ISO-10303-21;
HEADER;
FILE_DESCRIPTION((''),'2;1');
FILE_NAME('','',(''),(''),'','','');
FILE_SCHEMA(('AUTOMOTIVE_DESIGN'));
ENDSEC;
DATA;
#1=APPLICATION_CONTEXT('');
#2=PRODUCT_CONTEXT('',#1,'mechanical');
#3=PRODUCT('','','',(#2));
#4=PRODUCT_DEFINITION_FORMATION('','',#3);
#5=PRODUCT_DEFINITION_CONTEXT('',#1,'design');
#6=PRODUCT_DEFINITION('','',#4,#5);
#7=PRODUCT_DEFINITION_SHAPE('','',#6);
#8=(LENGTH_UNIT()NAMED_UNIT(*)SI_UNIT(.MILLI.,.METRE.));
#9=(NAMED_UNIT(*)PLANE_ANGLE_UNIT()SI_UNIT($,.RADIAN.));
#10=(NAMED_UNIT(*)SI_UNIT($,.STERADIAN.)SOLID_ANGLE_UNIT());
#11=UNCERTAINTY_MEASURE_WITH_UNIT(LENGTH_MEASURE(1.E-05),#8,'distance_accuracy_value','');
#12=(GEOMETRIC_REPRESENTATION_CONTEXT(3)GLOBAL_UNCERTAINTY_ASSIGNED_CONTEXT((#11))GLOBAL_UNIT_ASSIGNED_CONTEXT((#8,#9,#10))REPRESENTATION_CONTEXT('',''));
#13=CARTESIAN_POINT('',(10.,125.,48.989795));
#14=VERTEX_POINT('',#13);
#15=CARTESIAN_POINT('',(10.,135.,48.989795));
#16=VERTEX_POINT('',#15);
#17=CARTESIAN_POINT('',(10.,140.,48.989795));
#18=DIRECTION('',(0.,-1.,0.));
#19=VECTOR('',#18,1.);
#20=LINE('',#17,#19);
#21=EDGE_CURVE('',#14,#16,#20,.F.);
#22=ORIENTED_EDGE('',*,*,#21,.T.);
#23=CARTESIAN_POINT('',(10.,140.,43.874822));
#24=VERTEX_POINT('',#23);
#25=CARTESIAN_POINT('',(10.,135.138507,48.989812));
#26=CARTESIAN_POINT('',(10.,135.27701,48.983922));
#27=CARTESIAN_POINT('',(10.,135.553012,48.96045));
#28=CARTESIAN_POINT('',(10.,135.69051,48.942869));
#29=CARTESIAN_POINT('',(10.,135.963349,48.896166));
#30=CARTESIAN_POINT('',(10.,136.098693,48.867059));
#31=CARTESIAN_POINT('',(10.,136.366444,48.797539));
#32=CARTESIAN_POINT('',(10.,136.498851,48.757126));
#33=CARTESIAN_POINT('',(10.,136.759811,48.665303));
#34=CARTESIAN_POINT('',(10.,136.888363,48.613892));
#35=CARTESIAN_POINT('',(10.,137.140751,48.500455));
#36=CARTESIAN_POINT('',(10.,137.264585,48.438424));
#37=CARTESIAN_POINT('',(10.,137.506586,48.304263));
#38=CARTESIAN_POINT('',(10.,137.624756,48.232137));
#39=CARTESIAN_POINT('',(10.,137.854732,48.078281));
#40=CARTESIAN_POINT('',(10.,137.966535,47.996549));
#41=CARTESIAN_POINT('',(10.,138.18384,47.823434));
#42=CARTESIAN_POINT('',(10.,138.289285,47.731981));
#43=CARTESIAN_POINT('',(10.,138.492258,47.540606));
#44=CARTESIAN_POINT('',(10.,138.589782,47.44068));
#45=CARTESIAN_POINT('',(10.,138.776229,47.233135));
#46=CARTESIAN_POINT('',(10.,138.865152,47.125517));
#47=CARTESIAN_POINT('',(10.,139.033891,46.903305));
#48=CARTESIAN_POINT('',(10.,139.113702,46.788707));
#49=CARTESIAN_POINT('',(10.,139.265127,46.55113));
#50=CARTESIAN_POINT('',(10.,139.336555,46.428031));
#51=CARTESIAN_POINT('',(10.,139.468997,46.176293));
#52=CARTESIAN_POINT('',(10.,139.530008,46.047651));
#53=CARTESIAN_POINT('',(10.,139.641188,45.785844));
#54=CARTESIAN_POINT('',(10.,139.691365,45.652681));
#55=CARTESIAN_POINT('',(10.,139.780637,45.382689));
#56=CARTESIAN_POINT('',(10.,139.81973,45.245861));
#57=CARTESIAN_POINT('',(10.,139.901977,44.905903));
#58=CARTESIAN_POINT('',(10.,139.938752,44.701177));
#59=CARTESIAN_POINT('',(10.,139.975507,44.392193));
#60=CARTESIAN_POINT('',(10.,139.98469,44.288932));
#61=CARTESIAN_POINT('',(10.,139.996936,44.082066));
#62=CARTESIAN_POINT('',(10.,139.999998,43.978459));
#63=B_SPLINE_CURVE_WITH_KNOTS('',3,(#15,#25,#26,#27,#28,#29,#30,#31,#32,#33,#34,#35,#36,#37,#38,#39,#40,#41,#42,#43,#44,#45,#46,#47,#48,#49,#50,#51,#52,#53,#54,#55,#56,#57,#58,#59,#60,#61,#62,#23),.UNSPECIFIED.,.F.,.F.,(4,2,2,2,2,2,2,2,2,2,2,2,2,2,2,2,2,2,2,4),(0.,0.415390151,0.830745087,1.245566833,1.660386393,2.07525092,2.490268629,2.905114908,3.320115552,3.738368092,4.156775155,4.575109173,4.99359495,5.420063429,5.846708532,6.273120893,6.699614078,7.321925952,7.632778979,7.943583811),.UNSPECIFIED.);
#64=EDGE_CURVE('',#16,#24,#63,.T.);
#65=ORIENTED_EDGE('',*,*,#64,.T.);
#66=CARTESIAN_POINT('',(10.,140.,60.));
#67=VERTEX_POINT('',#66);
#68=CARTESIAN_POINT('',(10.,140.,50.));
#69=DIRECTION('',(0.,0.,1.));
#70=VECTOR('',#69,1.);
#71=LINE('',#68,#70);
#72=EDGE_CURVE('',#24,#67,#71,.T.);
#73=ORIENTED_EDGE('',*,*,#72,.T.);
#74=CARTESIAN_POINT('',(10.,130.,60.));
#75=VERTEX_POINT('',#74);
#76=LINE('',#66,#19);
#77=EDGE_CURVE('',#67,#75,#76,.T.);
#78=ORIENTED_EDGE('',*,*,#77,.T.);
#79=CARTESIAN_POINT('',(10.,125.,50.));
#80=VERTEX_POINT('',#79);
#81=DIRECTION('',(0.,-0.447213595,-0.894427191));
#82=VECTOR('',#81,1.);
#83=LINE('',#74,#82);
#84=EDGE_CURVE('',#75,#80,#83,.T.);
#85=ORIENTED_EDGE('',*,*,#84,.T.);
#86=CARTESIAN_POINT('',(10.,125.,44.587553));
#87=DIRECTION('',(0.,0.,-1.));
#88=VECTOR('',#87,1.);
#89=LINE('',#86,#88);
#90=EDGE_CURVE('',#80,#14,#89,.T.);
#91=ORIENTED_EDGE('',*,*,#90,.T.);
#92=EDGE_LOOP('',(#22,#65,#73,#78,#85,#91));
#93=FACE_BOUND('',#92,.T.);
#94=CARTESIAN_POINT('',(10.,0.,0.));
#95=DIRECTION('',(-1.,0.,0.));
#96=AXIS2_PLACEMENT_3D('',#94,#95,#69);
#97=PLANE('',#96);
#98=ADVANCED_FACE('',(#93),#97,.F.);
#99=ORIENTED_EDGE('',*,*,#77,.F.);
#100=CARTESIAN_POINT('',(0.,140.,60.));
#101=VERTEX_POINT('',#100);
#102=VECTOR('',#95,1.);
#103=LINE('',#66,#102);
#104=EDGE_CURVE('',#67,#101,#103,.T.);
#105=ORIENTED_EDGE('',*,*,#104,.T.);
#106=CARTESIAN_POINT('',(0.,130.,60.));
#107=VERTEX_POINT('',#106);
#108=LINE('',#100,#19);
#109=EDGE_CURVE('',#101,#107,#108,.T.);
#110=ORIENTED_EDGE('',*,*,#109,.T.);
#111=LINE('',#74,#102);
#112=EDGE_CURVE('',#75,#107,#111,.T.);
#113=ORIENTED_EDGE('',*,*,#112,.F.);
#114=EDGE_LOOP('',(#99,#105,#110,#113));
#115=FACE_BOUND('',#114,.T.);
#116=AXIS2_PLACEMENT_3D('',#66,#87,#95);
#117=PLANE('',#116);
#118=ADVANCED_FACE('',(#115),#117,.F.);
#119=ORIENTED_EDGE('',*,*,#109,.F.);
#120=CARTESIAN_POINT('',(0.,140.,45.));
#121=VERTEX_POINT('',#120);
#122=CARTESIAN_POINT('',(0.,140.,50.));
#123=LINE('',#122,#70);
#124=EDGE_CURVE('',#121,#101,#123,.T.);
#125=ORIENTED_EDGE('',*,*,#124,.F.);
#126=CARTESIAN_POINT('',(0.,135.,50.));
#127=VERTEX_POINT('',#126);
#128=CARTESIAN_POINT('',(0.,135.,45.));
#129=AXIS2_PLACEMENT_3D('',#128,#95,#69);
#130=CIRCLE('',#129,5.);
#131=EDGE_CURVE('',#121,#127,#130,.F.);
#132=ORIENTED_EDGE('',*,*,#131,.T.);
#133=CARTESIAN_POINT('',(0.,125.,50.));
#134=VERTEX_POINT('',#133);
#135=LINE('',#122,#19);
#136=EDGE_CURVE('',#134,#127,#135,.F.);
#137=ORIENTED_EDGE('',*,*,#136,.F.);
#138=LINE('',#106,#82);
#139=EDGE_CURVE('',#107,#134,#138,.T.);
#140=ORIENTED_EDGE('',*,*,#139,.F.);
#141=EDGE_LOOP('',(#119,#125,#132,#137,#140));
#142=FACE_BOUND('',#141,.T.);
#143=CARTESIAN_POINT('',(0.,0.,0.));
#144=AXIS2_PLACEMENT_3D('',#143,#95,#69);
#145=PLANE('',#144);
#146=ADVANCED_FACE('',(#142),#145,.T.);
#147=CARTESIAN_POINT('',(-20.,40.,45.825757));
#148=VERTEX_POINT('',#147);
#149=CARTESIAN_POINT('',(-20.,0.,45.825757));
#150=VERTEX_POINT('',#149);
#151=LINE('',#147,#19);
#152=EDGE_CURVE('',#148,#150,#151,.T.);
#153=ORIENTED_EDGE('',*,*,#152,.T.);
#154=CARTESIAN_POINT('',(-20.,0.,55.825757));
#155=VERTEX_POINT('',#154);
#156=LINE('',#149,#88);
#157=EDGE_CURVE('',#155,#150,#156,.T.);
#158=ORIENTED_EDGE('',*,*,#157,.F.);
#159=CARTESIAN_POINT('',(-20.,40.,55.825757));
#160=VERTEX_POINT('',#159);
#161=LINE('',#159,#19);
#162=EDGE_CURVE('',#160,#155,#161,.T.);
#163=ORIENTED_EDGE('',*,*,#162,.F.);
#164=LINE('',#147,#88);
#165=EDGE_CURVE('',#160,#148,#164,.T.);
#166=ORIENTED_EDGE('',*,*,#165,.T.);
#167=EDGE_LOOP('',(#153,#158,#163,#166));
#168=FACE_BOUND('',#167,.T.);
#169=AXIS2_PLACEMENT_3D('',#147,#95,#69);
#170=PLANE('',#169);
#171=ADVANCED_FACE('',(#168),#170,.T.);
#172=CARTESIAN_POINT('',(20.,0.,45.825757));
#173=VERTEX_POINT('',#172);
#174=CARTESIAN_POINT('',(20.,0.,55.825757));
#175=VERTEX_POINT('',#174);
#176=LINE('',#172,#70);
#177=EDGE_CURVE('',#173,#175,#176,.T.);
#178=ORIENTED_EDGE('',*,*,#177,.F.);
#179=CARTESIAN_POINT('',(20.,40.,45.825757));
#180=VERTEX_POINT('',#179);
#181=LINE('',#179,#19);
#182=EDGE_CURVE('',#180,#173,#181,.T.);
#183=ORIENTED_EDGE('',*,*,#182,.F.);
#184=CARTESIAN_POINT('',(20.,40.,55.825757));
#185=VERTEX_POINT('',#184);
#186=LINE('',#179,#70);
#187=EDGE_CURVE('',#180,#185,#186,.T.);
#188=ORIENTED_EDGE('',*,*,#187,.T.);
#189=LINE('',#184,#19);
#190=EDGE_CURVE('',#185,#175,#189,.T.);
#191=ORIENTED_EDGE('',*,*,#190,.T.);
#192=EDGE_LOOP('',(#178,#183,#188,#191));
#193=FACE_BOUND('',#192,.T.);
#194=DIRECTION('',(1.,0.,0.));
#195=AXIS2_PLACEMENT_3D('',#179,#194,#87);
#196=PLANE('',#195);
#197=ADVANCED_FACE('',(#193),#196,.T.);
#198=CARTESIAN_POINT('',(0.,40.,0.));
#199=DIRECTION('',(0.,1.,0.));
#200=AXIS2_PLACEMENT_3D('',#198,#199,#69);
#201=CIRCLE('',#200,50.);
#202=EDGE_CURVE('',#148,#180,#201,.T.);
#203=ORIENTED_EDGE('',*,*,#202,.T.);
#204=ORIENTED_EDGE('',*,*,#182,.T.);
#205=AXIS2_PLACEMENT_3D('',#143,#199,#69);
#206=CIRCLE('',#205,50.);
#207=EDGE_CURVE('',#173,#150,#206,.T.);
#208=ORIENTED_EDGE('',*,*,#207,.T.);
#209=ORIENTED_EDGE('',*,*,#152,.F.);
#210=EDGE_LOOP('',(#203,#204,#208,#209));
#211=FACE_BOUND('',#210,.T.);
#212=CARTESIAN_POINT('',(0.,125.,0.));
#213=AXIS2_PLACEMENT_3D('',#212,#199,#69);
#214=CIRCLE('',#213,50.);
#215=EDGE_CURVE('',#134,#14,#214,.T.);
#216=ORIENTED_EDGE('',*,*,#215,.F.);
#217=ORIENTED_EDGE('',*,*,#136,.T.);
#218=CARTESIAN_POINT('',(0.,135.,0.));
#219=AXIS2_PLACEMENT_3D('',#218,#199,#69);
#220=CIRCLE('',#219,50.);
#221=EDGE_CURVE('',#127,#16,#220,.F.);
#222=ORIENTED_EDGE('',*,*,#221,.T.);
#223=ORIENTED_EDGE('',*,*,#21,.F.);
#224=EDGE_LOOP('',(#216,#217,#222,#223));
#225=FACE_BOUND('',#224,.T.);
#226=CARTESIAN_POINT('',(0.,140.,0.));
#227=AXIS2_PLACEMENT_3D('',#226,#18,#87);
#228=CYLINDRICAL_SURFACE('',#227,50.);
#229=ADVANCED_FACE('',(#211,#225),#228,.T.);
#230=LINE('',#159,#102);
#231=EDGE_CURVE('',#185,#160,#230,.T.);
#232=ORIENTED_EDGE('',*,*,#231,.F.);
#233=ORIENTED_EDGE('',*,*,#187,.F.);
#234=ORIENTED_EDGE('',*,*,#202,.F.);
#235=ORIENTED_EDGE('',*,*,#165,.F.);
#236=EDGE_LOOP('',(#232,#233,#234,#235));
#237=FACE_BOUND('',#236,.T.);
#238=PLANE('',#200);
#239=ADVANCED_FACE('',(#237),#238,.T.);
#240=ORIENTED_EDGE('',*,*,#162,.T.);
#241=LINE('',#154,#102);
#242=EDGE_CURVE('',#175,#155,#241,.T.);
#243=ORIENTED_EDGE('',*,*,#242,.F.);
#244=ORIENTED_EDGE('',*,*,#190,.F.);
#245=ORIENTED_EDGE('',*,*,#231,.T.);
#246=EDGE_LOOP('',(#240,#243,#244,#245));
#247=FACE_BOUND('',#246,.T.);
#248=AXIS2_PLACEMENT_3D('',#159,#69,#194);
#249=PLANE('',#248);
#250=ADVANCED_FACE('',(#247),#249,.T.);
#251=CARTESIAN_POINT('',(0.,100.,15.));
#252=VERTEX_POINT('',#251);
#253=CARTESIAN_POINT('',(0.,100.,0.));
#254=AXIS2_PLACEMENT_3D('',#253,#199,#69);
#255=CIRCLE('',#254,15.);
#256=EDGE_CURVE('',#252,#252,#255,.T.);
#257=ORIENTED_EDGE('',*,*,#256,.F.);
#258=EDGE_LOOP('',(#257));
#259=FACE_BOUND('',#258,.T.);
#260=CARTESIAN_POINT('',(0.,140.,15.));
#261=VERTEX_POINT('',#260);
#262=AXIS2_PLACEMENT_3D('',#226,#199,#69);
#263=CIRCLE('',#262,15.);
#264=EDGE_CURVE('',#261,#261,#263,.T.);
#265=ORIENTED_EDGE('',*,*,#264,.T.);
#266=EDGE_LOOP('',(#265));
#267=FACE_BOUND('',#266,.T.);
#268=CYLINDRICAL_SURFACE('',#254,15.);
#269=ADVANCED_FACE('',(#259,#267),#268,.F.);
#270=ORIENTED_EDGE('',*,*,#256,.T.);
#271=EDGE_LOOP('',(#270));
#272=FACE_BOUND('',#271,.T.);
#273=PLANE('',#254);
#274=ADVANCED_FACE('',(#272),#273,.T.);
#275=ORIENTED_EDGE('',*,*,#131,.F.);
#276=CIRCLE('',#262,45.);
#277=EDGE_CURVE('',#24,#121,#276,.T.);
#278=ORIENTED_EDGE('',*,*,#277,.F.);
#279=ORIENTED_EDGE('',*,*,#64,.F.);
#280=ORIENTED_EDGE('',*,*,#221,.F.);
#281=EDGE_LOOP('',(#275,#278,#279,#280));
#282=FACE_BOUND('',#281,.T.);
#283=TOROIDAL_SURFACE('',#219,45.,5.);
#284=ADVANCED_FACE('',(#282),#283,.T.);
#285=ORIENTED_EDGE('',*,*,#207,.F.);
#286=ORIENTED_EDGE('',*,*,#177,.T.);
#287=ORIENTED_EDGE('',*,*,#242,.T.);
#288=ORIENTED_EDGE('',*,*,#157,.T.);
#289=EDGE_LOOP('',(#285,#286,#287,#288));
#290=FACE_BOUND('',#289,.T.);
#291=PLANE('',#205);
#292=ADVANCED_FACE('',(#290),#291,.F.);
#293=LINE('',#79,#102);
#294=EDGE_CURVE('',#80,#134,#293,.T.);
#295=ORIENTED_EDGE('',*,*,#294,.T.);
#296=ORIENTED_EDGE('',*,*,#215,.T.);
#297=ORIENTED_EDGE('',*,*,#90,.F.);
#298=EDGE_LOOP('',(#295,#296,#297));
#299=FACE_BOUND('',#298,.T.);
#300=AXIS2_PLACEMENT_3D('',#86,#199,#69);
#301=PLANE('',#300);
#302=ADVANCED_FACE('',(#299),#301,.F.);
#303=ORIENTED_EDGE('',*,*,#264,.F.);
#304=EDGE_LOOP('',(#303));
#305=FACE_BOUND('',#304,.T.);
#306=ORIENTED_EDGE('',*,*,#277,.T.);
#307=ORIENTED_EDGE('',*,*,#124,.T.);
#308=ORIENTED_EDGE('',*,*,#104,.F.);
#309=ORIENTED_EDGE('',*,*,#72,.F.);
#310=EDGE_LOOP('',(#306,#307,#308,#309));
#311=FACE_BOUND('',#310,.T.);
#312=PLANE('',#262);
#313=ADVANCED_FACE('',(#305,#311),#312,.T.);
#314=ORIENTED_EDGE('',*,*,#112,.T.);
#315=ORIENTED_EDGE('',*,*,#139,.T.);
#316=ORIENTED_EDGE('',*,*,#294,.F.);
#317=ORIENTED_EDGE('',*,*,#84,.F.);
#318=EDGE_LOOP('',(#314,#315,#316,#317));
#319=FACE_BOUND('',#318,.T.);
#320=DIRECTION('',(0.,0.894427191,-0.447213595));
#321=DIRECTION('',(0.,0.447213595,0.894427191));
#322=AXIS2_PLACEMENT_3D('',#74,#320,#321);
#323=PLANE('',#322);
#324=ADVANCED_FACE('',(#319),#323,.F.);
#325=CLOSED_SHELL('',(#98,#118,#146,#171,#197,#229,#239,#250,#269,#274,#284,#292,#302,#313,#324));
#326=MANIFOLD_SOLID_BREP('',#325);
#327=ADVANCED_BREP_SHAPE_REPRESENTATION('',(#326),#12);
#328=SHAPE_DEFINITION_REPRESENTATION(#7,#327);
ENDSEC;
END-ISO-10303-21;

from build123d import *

# Parameters (mm, degrees)
SKETCH_1_R          = 50
EXTRUDE_1_DEPTH     = 140
SKETCH_2_W          = 40
SKETCH_2_H          = 10
EXTRUDE_2_DEPTH     = 40
SKETCH_3_R          = 15
CUT_EXTRUDE_1_DEPTH = 40
EXTRUDE_4_DEPTH     = 10
FILLET_2_R          = 5


with BuildPart() as part:
    # 草圖1 → 填料-伸長1 (new body)
    with BuildSketch(Plane(origin=(0, 0, 0), x_dir=(1, 0, 0), z_dir=(0, 1, 0))):
        with Locations(Location((0, 0, 0), (0, 0, 270))):
            Circle(SKETCH_1_R)
    extrude(amount=EXTRUDE_1_DEPTH)

    # 草圖2 → 填料-伸長2 (add)
    with BuildSketch(Plane.XZ):
        with Locations((0, 50.82575695)):
            Rectangle(SKETCH_2_W, SKETCH_2_H)
    extrude(amount=-EXTRUDE_2_DEPTH)

    # 草圖3 → 除料-伸長1 (cut)
    with BuildSketch(Plane(origin=(0, 140, 0), x_dir=(1, 0, 0), z_dir=(0, 1, 0))):
        with Locations(Location((0, 0, 0), (0, 0, 270))):
            Circle(SKETCH_3_R)
    extrude(amount=-CUT_EXTRUDE_1_DEPTH, mode=Mode.SUBTRACT)

    # 草圖4 → 填料-伸長4 (add)
    with BuildSketch(Plane(origin=(0, 0, 0), x_dir=(0, 0, -1), z_dir=(1, 0, 0))):
        Polygon((-50, 140), (-60, 140), (-60, 130), (-50, 125), (-44.587553404, 125), (-44.587553404, 140), align=None)
    extrude(amount=EXTRUDE_4_DEPTH)

    # 圓角2
    fillet_2_edges = [part.edges().sort_by_distance(p)[0] for p in [
        (-5.0254481, 140, -49.74680765),
    ]]
    fillet(fillet_2_edges, radius=FILLET_2_R)


solid = part.part
